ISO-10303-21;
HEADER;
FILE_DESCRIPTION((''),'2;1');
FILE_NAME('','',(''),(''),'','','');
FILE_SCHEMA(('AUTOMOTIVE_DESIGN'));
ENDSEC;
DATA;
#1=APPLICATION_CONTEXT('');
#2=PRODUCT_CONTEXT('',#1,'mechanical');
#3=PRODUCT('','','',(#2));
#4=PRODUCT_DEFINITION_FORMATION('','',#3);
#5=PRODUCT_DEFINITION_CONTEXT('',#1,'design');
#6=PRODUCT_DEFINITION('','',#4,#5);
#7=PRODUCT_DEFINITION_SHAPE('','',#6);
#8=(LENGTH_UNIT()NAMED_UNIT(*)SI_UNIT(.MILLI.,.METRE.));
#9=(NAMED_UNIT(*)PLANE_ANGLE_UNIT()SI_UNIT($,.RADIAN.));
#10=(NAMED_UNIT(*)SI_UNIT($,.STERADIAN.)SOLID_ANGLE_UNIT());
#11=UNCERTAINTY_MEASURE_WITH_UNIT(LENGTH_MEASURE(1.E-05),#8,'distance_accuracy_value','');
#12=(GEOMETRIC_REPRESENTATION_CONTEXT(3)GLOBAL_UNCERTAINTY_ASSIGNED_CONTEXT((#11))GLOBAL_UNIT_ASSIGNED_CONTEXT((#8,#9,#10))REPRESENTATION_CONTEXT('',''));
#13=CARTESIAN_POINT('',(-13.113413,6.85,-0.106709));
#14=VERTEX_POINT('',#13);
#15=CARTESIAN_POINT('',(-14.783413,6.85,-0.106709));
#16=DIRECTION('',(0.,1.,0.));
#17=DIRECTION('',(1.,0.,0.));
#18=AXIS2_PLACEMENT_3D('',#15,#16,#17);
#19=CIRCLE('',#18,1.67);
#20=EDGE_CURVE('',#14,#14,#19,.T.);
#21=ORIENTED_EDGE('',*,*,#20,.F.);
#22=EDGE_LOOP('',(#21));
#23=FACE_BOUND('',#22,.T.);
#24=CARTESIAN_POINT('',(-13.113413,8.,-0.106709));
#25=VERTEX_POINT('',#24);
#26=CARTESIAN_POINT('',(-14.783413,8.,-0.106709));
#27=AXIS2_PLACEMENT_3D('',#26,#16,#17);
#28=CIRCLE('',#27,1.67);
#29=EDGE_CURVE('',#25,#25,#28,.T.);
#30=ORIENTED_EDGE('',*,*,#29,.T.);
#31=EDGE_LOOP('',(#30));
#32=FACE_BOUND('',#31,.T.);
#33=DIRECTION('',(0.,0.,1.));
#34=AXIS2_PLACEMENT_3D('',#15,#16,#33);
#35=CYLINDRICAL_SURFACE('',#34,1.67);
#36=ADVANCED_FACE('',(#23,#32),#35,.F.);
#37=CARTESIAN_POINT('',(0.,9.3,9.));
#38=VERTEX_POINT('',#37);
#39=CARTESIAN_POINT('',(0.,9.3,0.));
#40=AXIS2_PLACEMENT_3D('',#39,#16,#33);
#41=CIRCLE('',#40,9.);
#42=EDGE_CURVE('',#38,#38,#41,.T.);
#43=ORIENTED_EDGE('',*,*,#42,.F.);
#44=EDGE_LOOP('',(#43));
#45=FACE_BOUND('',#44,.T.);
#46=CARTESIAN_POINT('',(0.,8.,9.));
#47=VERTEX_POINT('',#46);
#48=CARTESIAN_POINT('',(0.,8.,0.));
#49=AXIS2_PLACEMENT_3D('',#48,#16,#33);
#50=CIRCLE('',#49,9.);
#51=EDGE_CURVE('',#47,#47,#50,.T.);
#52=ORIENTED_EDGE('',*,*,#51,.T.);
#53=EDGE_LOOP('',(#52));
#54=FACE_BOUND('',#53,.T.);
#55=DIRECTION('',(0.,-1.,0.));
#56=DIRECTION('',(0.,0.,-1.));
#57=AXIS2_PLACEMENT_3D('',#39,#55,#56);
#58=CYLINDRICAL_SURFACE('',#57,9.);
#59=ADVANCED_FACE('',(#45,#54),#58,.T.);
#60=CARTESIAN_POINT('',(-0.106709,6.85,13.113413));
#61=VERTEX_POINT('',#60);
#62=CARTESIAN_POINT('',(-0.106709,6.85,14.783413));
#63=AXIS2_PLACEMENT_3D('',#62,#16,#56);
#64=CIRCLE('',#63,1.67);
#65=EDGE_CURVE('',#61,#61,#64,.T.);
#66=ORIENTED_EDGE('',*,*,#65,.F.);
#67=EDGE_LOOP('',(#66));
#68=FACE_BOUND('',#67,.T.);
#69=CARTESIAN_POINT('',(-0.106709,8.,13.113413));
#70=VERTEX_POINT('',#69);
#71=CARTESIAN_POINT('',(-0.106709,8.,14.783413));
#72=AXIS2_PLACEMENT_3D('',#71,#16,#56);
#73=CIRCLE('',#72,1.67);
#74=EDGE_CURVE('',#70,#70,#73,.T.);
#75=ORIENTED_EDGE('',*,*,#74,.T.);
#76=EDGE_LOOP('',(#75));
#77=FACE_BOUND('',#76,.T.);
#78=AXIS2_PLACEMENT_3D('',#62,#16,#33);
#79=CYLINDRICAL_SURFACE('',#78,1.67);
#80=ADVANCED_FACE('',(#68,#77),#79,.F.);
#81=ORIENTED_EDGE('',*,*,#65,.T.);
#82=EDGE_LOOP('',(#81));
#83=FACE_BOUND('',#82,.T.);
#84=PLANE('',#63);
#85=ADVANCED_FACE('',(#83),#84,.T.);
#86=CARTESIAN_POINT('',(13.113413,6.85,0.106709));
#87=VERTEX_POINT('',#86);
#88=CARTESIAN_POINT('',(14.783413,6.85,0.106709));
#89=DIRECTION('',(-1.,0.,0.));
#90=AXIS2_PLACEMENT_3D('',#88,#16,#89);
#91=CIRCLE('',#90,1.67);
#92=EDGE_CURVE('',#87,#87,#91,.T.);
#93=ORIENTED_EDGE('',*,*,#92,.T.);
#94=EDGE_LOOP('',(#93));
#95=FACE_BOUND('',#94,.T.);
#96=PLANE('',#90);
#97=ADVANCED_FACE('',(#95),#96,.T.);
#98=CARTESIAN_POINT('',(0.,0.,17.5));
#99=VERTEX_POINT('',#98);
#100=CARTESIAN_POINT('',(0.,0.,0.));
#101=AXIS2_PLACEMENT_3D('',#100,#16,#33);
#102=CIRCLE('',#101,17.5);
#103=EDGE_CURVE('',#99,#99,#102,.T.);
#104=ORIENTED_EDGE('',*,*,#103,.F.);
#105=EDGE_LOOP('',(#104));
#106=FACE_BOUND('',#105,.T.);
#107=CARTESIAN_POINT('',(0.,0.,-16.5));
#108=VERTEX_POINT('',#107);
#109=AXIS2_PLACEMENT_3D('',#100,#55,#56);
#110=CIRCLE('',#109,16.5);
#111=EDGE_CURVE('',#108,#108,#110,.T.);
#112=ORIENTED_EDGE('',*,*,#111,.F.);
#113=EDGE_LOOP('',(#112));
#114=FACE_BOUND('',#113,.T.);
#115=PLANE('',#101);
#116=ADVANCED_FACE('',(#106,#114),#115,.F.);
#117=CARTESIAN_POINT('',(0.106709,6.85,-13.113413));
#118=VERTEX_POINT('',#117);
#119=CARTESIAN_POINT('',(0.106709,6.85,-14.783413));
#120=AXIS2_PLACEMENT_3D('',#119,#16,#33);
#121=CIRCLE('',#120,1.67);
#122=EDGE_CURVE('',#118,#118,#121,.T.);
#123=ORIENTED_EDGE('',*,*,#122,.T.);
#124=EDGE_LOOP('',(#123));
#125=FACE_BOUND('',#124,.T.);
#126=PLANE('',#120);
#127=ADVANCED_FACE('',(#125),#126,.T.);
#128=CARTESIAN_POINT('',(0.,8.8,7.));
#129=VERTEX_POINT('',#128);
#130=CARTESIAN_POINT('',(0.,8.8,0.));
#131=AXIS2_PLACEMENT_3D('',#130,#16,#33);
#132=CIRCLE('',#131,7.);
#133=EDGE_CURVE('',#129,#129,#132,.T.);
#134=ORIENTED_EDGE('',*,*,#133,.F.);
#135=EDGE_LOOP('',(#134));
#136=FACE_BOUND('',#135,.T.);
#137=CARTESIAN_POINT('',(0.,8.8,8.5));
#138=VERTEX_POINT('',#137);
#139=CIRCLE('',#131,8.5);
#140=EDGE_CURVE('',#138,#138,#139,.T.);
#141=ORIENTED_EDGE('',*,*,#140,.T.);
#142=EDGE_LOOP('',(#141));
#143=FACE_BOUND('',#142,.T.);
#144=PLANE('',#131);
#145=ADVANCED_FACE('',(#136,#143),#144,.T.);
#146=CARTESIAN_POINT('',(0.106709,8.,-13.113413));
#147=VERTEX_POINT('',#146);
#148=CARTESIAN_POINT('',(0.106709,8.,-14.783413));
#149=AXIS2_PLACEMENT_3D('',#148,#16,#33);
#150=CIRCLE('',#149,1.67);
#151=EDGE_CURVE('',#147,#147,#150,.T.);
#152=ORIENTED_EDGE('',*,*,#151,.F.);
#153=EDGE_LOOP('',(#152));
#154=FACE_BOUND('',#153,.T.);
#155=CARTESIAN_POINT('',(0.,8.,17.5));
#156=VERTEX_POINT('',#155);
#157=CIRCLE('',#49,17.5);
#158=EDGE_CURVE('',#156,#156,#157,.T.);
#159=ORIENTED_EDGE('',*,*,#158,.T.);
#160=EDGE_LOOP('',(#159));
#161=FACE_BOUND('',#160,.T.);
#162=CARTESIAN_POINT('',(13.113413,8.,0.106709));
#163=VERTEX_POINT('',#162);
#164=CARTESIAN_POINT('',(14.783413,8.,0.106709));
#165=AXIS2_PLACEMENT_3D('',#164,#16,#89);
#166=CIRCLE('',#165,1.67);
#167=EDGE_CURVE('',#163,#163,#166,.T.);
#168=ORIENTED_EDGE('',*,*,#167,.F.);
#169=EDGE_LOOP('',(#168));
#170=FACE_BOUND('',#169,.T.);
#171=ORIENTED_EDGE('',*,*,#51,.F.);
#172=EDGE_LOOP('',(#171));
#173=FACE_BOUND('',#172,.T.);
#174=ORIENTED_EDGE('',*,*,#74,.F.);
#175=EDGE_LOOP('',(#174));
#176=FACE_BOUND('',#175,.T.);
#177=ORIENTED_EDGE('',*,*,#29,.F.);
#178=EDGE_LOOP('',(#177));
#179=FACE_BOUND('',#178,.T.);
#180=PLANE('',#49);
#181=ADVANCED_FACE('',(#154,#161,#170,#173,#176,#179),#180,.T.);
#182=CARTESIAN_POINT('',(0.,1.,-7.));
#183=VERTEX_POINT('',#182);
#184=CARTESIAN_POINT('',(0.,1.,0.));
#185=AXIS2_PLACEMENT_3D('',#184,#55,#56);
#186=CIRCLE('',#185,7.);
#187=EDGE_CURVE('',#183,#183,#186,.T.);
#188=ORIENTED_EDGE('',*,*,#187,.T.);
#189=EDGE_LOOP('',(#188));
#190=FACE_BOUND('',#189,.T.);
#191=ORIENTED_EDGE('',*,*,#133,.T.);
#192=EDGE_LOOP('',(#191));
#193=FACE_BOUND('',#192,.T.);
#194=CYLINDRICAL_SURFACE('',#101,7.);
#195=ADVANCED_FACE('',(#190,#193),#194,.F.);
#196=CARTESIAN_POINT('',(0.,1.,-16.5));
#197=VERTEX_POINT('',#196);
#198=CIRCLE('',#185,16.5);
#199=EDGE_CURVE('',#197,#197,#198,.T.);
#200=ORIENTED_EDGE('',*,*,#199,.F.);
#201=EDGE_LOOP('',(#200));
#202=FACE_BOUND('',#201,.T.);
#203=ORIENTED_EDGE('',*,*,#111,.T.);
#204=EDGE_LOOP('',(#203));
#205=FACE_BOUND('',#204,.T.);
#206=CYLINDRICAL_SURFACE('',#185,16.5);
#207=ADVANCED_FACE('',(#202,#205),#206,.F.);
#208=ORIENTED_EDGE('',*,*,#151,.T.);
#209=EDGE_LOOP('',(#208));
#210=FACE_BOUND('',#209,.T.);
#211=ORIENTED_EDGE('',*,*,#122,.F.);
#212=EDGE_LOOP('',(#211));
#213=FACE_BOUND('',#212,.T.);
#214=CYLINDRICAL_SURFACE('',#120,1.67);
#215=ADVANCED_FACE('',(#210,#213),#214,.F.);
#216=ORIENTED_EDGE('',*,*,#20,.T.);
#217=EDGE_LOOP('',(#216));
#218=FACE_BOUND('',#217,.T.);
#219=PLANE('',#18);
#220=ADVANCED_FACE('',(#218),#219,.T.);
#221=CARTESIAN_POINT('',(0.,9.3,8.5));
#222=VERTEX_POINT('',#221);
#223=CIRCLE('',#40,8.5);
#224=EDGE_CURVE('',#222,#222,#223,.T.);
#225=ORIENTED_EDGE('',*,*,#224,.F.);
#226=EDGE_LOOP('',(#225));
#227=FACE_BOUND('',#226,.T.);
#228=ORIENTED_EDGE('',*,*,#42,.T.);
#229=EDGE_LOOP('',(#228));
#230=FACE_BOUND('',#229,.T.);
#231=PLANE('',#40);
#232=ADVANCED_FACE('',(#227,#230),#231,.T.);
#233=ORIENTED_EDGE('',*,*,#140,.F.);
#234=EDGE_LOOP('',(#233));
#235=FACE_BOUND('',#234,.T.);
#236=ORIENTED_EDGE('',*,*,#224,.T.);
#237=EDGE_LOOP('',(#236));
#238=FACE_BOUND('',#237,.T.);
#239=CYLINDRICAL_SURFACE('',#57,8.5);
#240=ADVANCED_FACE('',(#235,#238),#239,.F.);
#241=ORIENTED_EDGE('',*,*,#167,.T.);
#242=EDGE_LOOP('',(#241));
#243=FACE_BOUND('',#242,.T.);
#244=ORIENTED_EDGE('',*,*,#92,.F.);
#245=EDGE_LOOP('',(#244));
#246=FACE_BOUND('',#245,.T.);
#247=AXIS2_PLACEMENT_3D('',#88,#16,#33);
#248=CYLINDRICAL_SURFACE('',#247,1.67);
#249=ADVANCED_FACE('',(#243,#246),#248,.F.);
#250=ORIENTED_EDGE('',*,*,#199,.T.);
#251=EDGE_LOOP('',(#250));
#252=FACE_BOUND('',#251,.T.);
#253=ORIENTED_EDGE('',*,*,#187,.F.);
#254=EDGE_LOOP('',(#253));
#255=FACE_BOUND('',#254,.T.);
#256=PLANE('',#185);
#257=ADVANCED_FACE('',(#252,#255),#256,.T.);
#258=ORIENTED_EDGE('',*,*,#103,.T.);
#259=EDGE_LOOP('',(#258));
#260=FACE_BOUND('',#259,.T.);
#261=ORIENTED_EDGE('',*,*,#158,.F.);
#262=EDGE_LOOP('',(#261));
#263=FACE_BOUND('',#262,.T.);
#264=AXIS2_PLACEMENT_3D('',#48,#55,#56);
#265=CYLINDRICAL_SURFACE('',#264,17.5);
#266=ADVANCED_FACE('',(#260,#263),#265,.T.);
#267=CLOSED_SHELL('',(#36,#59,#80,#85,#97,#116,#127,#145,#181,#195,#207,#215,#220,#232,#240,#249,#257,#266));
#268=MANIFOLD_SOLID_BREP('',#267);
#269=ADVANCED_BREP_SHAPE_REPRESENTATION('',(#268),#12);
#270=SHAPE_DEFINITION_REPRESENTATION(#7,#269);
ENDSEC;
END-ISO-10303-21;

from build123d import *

# Parameters (mm, degrees)
SKETCH1_R           = 17.5
BOSS_EXTRUDE1_DEPTH = 8
SKETCH5_R           = 16.5
CUT_EXTRUDE2_DEPTH  = 1
SKETCH11_R          = 1.67
CUT_EXTRUDE5_DEPTH  = 1.15
CIRPATTERN1_COUNT   = 4
SKETCH13_R          = 9
SKETCH13_R_2        = 8.5
BOSS_EXTRUDE3_DEPTH = 1.3
SKETCH12_R          = 8.6
BOSS_EXTRUDE2_DEPTH = 0.8
SKETCH14_R          = 7
CUT_EXTRUDE6_DEPTH  = 27.266708968


with BuildPart() as part:
    # Sketch1 → Boss-Extrude1 (new body)
    with BuildSketch(Plane(origin=(0, 0, 0), x_dir=(1, 0, 0), z_dir=(0, 1, 0))):
        with Locations(Location((0, 0, 0), (0, 0, 270))):
            Circle(SKETCH1_R)
    extrude(amount=BOSS_EXTRUDE1_DEPTH)

    # Sketch5 → Cut-Extrude2 (cut)
    with BuildSketch(Plane.XZ):
        with Locations(Location((0, 0, 0), (0, 0, 270))):
            Circle(SKETCH5_R)
    extrude(amount=-CUT_EXTRUDE2_DEPTH, mode=Mode.SUBTRACT)

    # Sketch11 → Cut-Extrude5 (cut)
    with BuildSketch(Plane(origin=(0, 8, 0), x_dir=(1, 0, 0), z_dir=(0, 1, 0))):
        with Locations(Location((0.106708516, 14.783412681, 0), (0, 0, 270))):
            Circle(SKETCH11_R)
    cut_extrude5 = extrude(amount=-CUT_EXTRUDE5_DEPTH, mode=Mode.SUBTRACT)

    # CirPattern1: Cut-Extrude5 ×4 about axis
    cirpattern1_axis = Axis((0, 0, 0), (0, 1, 0))
    for i in range(1, CIRPATTERN1_COUNT):
        add(cut_extrude5.rotate(cirpattern1_axis, i * 360 / CIRPATTERN1_COUNT), mode=Mode.SUBTRACT)

    # Sketch13 → Boss-Extrude3 (add)
    with BuildSketch(Plane(origin=(0, 8, 0), x_dir=(1, 0, 0), z_dir=(0, 1, 0))):
        with Locations(Location((0, 0, 0), (0, 0, 270))):
            Circle(SKETCH13_R)
        with Locations(Location((0, 0, 0), (0, 0, 270))):
            Circle(SKETCH13_R_2, mode=Mode.SUBTRACT)
    extrude(amount=BOSS_EXTRUDE3_DEPTH)

    # Sketch12 → Boss-Extrude2 (add)
    with BuildSketch(Plane(origin=(0, 8, 0), x_dir=(1, 0, 0), z_dir=(0, 1, 0))):
        Circle(SKETCH12_R)
    extrude(amount=BOSS_EXTRUDE2_DEPTH)

    # Sketch14 → Cut-Extrude6 (cut, through all)
    with BuildSketch(Plane(origin=(0, 8.8, 0), x_dir=(1, 0, 0), z_dir=(0, 1, 0))):
        with Locations(Location((0, 0, 0), (0, 0, 270))):
            Circle(SKETCH14_R)
    extrude(amount=-CUT_EXTRUDE6_DEPTH, mode=Mode.SUBTRACT)


solid = part.part
